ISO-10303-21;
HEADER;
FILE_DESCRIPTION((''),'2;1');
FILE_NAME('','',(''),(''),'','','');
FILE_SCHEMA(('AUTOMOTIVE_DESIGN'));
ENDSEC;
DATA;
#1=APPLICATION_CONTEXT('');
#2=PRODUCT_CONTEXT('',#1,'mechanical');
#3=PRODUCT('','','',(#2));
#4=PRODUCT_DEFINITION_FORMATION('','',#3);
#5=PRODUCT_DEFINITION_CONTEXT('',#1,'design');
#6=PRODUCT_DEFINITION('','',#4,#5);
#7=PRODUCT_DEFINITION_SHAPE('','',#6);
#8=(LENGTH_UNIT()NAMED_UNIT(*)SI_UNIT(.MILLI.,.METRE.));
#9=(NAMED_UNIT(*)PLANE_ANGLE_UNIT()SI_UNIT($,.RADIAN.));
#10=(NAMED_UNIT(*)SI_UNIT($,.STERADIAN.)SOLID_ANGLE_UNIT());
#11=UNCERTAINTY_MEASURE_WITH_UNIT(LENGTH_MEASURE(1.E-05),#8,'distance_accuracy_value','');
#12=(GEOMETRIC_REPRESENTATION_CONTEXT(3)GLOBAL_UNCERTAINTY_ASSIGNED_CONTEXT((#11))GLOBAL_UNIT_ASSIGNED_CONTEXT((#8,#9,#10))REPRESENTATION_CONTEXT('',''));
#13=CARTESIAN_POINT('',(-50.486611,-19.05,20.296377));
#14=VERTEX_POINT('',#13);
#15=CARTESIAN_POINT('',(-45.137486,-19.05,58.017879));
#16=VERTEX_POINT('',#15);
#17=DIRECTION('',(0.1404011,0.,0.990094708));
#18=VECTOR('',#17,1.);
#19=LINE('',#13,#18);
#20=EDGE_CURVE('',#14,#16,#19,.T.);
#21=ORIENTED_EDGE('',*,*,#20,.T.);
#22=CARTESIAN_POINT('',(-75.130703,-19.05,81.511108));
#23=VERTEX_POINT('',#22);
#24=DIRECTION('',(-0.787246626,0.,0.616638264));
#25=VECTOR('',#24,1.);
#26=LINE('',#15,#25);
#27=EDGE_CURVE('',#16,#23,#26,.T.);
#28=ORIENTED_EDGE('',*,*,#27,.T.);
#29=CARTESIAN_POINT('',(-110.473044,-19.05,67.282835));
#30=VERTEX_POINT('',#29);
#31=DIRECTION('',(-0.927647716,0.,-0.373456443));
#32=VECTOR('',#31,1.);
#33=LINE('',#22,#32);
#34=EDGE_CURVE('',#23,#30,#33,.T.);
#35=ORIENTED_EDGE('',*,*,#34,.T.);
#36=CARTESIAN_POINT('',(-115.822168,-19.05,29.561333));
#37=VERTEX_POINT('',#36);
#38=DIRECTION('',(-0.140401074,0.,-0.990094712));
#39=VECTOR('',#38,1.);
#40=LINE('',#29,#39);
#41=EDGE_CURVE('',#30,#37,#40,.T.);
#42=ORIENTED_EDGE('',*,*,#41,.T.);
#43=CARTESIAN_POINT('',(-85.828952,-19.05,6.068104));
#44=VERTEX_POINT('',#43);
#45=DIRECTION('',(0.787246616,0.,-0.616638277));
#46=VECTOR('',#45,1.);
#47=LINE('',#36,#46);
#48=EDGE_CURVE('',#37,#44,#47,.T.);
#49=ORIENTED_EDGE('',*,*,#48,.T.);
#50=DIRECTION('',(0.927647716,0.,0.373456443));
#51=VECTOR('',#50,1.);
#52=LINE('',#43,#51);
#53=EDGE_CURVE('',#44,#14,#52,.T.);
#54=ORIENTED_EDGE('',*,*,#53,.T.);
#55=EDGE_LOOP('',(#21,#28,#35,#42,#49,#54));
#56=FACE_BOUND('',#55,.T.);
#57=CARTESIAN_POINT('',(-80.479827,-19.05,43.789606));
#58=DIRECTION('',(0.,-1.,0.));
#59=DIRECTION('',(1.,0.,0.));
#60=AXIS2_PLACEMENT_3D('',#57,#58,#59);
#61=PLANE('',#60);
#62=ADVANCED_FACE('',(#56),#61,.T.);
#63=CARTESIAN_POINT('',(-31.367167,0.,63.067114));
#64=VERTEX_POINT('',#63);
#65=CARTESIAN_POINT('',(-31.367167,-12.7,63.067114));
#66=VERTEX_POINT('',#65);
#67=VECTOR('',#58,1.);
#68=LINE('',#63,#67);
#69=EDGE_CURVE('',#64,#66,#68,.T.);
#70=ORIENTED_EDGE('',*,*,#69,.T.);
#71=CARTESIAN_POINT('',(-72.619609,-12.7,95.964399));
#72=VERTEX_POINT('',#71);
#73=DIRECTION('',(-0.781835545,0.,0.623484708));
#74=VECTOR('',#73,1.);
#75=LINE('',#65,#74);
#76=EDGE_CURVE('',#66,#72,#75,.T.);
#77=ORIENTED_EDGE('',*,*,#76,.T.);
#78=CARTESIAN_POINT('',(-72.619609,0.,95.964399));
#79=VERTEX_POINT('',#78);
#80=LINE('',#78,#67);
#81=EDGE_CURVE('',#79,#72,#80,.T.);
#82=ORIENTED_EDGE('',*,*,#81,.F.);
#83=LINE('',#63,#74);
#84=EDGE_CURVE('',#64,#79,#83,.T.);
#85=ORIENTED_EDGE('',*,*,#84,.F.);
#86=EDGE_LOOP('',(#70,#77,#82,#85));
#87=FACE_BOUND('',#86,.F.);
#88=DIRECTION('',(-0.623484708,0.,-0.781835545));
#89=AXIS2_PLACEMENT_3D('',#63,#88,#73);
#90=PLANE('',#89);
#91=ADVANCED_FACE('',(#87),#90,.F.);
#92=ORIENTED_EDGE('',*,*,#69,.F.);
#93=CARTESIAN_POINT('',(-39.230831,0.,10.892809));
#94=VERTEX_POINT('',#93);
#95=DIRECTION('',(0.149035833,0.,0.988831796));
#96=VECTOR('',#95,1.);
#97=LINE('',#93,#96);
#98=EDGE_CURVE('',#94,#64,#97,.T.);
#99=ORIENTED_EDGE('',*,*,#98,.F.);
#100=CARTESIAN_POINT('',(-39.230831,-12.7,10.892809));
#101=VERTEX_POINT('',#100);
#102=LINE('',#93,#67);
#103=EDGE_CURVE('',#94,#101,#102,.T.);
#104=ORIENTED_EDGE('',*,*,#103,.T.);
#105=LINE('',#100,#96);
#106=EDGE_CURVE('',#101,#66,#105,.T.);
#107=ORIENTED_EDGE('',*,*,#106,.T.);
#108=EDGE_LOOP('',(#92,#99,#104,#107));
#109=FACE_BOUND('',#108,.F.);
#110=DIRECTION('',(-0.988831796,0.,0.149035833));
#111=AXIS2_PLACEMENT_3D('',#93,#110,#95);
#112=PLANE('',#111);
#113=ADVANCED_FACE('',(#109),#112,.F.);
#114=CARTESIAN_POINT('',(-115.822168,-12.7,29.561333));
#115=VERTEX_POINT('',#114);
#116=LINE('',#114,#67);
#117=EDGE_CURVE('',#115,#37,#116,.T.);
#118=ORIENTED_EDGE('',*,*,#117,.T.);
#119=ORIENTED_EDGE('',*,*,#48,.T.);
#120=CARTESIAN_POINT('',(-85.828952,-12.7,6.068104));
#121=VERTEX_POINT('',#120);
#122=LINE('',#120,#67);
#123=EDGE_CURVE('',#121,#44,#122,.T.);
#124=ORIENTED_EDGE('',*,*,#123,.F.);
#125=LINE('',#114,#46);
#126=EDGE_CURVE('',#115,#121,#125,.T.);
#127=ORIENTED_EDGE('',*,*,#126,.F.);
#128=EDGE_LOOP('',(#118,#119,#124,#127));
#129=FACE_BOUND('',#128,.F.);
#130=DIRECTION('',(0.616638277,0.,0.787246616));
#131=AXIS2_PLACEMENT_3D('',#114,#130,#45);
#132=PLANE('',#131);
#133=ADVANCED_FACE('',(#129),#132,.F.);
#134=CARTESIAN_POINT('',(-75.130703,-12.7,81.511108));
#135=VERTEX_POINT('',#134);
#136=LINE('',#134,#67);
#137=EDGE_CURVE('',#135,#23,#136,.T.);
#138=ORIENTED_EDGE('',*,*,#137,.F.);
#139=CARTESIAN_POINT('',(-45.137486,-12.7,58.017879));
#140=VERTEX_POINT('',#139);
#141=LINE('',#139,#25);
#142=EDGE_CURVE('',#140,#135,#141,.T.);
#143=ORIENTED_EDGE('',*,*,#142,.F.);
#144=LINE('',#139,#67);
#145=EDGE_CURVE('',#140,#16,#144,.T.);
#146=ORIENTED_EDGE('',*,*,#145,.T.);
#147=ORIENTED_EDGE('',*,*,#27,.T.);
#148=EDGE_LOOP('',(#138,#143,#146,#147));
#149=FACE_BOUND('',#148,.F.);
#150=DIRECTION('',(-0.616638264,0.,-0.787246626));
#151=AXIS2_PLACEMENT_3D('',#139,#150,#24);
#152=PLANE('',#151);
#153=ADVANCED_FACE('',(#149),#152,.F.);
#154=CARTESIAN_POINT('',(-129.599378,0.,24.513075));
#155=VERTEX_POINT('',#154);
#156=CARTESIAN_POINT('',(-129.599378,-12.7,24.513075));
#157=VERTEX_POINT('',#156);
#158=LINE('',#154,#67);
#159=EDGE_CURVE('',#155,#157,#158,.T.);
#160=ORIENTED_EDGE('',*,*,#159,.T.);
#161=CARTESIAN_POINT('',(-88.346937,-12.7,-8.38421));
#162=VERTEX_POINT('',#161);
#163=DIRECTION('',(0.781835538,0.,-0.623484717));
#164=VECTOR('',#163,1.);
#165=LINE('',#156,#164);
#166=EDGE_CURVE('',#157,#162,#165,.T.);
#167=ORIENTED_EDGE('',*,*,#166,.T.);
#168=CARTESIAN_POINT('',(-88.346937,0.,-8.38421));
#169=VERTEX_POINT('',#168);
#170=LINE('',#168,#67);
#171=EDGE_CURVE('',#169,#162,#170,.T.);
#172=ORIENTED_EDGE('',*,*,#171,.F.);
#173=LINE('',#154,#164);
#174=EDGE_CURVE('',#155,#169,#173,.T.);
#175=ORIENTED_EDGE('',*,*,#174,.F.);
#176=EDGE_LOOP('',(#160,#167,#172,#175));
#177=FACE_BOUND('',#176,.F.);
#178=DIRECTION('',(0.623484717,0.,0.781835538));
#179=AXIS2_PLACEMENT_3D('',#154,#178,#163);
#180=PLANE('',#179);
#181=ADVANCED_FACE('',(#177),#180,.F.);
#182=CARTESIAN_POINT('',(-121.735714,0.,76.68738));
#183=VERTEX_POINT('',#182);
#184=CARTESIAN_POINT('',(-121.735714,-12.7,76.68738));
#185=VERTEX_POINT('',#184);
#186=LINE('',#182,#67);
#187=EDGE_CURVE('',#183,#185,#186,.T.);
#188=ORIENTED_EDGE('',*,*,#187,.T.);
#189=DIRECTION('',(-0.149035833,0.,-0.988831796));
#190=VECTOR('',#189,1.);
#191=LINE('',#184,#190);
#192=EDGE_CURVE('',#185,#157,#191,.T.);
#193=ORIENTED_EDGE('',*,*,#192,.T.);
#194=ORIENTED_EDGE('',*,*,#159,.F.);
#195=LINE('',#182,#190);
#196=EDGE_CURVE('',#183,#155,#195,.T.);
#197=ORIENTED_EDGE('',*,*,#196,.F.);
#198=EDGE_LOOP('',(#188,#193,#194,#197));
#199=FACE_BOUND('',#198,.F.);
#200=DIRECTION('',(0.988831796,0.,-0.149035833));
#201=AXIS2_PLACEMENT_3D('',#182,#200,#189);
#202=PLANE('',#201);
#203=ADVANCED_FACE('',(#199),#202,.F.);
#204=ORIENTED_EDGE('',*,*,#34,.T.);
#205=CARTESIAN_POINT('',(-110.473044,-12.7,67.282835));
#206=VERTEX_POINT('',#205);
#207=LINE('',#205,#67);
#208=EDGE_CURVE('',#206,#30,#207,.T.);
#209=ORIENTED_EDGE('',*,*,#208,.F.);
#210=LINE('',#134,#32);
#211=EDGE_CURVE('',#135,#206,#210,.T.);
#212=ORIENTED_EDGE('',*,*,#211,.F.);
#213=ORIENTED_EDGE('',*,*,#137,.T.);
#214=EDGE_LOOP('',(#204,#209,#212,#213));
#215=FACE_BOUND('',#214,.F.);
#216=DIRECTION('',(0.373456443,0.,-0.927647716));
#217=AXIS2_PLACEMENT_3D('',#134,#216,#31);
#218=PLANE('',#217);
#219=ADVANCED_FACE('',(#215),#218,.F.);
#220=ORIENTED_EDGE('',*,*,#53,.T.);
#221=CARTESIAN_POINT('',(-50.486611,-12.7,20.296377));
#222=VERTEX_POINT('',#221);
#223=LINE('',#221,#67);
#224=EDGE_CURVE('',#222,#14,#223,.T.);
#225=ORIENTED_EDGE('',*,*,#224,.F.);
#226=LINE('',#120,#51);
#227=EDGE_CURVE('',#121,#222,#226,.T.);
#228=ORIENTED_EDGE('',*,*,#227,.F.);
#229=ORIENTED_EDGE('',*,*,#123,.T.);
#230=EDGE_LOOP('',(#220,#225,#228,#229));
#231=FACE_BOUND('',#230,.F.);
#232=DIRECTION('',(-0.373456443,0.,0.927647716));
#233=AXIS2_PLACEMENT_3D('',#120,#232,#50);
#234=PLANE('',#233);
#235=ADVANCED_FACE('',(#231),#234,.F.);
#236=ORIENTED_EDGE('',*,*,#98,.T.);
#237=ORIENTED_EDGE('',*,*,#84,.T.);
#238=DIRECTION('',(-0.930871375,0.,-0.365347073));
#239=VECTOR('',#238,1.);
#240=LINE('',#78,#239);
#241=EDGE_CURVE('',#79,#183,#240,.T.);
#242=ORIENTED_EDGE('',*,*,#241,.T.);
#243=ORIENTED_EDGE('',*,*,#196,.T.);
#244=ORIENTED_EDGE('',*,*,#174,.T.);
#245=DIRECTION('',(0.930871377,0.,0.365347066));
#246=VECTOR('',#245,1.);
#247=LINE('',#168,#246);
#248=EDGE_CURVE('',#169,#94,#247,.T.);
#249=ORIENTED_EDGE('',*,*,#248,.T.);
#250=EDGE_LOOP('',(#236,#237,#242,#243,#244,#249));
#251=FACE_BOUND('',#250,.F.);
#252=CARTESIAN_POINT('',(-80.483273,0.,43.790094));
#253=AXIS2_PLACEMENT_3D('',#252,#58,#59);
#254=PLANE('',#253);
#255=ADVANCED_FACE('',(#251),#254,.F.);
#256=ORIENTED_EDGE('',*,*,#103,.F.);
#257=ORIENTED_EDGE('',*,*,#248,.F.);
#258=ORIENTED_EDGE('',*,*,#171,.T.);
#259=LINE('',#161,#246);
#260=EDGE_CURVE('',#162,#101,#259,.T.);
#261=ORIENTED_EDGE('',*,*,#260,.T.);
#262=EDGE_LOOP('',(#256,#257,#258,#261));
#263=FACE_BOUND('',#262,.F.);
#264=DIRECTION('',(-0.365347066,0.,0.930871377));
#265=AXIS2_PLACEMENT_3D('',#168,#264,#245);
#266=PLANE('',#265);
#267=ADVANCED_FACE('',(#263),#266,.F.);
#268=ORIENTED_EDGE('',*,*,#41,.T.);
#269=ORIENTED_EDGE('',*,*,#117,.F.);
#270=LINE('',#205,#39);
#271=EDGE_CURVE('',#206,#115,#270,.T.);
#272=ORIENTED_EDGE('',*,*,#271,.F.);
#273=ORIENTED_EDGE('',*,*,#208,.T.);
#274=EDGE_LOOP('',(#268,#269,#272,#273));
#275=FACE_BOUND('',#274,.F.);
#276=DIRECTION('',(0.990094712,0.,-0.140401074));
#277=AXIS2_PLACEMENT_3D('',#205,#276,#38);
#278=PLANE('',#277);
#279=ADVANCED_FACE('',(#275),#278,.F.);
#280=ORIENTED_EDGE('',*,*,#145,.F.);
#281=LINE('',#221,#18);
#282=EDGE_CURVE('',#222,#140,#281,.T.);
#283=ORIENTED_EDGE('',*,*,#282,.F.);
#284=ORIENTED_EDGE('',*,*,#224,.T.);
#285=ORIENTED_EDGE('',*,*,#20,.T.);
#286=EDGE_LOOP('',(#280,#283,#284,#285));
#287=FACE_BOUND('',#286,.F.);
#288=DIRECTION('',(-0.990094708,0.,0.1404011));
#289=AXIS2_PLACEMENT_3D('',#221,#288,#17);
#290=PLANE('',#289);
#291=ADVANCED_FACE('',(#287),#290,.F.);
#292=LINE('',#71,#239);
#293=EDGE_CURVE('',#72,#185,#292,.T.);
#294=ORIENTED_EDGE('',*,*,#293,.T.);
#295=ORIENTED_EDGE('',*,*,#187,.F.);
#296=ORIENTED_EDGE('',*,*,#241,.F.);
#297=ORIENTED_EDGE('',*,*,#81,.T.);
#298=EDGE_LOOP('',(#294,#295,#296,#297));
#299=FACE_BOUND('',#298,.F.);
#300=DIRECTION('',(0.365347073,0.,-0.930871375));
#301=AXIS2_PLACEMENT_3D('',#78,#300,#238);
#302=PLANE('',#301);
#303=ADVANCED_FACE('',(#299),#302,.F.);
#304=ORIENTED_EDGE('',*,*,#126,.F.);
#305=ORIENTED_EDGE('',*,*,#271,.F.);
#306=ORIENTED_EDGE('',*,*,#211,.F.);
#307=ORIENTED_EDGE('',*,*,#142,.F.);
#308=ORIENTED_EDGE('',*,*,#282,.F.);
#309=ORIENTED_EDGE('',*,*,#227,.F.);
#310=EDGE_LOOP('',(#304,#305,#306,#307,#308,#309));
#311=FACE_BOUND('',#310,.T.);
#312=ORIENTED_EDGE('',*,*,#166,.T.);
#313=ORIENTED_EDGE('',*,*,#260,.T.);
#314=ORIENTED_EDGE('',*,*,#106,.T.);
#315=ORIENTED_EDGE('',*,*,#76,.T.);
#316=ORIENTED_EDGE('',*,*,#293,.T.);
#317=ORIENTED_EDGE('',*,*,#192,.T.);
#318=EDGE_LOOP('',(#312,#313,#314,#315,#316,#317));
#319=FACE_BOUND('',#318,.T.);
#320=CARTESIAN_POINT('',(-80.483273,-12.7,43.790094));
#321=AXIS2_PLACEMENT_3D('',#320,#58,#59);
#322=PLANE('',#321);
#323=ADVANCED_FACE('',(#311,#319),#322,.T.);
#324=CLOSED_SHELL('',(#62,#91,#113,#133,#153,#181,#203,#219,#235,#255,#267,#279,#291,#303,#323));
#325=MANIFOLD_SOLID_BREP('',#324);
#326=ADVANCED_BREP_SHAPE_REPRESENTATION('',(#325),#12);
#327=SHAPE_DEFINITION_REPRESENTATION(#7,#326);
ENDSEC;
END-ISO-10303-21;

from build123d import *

# Parameters (mm, degrees)
F1_DEPTH = 12.7
F3_DEPTH = 6.35


with BuildPart() as f1:
    # F0 (on Front) → F1 (new body)
    with BuildSketch(Plane.XZ):
        Polygon((-39.230831, 10.892809), (-31.367167, 63.067114), (-72.619609, 95.964399), (-121.735714, 76.68738), (-129.599378, 24.513075), (-88.346937, -8.38421), align=None)
    extrude(amount=F1_DEPTH)

    # F2 (on face) → F3 (join)
    with BuildSketch(Plane.XZ.offset(12.7)):
        Polygon((-85.828952, 6.068104), (-50.486611, 20.296377), (-45.137486, 58.017879), (-75.130703, 81.511108), (-110.473044, 67.282835), (-115.822168, 29.561333), align=None)
    extrude(amount=F3_DEPTH)


solid = f1.part
